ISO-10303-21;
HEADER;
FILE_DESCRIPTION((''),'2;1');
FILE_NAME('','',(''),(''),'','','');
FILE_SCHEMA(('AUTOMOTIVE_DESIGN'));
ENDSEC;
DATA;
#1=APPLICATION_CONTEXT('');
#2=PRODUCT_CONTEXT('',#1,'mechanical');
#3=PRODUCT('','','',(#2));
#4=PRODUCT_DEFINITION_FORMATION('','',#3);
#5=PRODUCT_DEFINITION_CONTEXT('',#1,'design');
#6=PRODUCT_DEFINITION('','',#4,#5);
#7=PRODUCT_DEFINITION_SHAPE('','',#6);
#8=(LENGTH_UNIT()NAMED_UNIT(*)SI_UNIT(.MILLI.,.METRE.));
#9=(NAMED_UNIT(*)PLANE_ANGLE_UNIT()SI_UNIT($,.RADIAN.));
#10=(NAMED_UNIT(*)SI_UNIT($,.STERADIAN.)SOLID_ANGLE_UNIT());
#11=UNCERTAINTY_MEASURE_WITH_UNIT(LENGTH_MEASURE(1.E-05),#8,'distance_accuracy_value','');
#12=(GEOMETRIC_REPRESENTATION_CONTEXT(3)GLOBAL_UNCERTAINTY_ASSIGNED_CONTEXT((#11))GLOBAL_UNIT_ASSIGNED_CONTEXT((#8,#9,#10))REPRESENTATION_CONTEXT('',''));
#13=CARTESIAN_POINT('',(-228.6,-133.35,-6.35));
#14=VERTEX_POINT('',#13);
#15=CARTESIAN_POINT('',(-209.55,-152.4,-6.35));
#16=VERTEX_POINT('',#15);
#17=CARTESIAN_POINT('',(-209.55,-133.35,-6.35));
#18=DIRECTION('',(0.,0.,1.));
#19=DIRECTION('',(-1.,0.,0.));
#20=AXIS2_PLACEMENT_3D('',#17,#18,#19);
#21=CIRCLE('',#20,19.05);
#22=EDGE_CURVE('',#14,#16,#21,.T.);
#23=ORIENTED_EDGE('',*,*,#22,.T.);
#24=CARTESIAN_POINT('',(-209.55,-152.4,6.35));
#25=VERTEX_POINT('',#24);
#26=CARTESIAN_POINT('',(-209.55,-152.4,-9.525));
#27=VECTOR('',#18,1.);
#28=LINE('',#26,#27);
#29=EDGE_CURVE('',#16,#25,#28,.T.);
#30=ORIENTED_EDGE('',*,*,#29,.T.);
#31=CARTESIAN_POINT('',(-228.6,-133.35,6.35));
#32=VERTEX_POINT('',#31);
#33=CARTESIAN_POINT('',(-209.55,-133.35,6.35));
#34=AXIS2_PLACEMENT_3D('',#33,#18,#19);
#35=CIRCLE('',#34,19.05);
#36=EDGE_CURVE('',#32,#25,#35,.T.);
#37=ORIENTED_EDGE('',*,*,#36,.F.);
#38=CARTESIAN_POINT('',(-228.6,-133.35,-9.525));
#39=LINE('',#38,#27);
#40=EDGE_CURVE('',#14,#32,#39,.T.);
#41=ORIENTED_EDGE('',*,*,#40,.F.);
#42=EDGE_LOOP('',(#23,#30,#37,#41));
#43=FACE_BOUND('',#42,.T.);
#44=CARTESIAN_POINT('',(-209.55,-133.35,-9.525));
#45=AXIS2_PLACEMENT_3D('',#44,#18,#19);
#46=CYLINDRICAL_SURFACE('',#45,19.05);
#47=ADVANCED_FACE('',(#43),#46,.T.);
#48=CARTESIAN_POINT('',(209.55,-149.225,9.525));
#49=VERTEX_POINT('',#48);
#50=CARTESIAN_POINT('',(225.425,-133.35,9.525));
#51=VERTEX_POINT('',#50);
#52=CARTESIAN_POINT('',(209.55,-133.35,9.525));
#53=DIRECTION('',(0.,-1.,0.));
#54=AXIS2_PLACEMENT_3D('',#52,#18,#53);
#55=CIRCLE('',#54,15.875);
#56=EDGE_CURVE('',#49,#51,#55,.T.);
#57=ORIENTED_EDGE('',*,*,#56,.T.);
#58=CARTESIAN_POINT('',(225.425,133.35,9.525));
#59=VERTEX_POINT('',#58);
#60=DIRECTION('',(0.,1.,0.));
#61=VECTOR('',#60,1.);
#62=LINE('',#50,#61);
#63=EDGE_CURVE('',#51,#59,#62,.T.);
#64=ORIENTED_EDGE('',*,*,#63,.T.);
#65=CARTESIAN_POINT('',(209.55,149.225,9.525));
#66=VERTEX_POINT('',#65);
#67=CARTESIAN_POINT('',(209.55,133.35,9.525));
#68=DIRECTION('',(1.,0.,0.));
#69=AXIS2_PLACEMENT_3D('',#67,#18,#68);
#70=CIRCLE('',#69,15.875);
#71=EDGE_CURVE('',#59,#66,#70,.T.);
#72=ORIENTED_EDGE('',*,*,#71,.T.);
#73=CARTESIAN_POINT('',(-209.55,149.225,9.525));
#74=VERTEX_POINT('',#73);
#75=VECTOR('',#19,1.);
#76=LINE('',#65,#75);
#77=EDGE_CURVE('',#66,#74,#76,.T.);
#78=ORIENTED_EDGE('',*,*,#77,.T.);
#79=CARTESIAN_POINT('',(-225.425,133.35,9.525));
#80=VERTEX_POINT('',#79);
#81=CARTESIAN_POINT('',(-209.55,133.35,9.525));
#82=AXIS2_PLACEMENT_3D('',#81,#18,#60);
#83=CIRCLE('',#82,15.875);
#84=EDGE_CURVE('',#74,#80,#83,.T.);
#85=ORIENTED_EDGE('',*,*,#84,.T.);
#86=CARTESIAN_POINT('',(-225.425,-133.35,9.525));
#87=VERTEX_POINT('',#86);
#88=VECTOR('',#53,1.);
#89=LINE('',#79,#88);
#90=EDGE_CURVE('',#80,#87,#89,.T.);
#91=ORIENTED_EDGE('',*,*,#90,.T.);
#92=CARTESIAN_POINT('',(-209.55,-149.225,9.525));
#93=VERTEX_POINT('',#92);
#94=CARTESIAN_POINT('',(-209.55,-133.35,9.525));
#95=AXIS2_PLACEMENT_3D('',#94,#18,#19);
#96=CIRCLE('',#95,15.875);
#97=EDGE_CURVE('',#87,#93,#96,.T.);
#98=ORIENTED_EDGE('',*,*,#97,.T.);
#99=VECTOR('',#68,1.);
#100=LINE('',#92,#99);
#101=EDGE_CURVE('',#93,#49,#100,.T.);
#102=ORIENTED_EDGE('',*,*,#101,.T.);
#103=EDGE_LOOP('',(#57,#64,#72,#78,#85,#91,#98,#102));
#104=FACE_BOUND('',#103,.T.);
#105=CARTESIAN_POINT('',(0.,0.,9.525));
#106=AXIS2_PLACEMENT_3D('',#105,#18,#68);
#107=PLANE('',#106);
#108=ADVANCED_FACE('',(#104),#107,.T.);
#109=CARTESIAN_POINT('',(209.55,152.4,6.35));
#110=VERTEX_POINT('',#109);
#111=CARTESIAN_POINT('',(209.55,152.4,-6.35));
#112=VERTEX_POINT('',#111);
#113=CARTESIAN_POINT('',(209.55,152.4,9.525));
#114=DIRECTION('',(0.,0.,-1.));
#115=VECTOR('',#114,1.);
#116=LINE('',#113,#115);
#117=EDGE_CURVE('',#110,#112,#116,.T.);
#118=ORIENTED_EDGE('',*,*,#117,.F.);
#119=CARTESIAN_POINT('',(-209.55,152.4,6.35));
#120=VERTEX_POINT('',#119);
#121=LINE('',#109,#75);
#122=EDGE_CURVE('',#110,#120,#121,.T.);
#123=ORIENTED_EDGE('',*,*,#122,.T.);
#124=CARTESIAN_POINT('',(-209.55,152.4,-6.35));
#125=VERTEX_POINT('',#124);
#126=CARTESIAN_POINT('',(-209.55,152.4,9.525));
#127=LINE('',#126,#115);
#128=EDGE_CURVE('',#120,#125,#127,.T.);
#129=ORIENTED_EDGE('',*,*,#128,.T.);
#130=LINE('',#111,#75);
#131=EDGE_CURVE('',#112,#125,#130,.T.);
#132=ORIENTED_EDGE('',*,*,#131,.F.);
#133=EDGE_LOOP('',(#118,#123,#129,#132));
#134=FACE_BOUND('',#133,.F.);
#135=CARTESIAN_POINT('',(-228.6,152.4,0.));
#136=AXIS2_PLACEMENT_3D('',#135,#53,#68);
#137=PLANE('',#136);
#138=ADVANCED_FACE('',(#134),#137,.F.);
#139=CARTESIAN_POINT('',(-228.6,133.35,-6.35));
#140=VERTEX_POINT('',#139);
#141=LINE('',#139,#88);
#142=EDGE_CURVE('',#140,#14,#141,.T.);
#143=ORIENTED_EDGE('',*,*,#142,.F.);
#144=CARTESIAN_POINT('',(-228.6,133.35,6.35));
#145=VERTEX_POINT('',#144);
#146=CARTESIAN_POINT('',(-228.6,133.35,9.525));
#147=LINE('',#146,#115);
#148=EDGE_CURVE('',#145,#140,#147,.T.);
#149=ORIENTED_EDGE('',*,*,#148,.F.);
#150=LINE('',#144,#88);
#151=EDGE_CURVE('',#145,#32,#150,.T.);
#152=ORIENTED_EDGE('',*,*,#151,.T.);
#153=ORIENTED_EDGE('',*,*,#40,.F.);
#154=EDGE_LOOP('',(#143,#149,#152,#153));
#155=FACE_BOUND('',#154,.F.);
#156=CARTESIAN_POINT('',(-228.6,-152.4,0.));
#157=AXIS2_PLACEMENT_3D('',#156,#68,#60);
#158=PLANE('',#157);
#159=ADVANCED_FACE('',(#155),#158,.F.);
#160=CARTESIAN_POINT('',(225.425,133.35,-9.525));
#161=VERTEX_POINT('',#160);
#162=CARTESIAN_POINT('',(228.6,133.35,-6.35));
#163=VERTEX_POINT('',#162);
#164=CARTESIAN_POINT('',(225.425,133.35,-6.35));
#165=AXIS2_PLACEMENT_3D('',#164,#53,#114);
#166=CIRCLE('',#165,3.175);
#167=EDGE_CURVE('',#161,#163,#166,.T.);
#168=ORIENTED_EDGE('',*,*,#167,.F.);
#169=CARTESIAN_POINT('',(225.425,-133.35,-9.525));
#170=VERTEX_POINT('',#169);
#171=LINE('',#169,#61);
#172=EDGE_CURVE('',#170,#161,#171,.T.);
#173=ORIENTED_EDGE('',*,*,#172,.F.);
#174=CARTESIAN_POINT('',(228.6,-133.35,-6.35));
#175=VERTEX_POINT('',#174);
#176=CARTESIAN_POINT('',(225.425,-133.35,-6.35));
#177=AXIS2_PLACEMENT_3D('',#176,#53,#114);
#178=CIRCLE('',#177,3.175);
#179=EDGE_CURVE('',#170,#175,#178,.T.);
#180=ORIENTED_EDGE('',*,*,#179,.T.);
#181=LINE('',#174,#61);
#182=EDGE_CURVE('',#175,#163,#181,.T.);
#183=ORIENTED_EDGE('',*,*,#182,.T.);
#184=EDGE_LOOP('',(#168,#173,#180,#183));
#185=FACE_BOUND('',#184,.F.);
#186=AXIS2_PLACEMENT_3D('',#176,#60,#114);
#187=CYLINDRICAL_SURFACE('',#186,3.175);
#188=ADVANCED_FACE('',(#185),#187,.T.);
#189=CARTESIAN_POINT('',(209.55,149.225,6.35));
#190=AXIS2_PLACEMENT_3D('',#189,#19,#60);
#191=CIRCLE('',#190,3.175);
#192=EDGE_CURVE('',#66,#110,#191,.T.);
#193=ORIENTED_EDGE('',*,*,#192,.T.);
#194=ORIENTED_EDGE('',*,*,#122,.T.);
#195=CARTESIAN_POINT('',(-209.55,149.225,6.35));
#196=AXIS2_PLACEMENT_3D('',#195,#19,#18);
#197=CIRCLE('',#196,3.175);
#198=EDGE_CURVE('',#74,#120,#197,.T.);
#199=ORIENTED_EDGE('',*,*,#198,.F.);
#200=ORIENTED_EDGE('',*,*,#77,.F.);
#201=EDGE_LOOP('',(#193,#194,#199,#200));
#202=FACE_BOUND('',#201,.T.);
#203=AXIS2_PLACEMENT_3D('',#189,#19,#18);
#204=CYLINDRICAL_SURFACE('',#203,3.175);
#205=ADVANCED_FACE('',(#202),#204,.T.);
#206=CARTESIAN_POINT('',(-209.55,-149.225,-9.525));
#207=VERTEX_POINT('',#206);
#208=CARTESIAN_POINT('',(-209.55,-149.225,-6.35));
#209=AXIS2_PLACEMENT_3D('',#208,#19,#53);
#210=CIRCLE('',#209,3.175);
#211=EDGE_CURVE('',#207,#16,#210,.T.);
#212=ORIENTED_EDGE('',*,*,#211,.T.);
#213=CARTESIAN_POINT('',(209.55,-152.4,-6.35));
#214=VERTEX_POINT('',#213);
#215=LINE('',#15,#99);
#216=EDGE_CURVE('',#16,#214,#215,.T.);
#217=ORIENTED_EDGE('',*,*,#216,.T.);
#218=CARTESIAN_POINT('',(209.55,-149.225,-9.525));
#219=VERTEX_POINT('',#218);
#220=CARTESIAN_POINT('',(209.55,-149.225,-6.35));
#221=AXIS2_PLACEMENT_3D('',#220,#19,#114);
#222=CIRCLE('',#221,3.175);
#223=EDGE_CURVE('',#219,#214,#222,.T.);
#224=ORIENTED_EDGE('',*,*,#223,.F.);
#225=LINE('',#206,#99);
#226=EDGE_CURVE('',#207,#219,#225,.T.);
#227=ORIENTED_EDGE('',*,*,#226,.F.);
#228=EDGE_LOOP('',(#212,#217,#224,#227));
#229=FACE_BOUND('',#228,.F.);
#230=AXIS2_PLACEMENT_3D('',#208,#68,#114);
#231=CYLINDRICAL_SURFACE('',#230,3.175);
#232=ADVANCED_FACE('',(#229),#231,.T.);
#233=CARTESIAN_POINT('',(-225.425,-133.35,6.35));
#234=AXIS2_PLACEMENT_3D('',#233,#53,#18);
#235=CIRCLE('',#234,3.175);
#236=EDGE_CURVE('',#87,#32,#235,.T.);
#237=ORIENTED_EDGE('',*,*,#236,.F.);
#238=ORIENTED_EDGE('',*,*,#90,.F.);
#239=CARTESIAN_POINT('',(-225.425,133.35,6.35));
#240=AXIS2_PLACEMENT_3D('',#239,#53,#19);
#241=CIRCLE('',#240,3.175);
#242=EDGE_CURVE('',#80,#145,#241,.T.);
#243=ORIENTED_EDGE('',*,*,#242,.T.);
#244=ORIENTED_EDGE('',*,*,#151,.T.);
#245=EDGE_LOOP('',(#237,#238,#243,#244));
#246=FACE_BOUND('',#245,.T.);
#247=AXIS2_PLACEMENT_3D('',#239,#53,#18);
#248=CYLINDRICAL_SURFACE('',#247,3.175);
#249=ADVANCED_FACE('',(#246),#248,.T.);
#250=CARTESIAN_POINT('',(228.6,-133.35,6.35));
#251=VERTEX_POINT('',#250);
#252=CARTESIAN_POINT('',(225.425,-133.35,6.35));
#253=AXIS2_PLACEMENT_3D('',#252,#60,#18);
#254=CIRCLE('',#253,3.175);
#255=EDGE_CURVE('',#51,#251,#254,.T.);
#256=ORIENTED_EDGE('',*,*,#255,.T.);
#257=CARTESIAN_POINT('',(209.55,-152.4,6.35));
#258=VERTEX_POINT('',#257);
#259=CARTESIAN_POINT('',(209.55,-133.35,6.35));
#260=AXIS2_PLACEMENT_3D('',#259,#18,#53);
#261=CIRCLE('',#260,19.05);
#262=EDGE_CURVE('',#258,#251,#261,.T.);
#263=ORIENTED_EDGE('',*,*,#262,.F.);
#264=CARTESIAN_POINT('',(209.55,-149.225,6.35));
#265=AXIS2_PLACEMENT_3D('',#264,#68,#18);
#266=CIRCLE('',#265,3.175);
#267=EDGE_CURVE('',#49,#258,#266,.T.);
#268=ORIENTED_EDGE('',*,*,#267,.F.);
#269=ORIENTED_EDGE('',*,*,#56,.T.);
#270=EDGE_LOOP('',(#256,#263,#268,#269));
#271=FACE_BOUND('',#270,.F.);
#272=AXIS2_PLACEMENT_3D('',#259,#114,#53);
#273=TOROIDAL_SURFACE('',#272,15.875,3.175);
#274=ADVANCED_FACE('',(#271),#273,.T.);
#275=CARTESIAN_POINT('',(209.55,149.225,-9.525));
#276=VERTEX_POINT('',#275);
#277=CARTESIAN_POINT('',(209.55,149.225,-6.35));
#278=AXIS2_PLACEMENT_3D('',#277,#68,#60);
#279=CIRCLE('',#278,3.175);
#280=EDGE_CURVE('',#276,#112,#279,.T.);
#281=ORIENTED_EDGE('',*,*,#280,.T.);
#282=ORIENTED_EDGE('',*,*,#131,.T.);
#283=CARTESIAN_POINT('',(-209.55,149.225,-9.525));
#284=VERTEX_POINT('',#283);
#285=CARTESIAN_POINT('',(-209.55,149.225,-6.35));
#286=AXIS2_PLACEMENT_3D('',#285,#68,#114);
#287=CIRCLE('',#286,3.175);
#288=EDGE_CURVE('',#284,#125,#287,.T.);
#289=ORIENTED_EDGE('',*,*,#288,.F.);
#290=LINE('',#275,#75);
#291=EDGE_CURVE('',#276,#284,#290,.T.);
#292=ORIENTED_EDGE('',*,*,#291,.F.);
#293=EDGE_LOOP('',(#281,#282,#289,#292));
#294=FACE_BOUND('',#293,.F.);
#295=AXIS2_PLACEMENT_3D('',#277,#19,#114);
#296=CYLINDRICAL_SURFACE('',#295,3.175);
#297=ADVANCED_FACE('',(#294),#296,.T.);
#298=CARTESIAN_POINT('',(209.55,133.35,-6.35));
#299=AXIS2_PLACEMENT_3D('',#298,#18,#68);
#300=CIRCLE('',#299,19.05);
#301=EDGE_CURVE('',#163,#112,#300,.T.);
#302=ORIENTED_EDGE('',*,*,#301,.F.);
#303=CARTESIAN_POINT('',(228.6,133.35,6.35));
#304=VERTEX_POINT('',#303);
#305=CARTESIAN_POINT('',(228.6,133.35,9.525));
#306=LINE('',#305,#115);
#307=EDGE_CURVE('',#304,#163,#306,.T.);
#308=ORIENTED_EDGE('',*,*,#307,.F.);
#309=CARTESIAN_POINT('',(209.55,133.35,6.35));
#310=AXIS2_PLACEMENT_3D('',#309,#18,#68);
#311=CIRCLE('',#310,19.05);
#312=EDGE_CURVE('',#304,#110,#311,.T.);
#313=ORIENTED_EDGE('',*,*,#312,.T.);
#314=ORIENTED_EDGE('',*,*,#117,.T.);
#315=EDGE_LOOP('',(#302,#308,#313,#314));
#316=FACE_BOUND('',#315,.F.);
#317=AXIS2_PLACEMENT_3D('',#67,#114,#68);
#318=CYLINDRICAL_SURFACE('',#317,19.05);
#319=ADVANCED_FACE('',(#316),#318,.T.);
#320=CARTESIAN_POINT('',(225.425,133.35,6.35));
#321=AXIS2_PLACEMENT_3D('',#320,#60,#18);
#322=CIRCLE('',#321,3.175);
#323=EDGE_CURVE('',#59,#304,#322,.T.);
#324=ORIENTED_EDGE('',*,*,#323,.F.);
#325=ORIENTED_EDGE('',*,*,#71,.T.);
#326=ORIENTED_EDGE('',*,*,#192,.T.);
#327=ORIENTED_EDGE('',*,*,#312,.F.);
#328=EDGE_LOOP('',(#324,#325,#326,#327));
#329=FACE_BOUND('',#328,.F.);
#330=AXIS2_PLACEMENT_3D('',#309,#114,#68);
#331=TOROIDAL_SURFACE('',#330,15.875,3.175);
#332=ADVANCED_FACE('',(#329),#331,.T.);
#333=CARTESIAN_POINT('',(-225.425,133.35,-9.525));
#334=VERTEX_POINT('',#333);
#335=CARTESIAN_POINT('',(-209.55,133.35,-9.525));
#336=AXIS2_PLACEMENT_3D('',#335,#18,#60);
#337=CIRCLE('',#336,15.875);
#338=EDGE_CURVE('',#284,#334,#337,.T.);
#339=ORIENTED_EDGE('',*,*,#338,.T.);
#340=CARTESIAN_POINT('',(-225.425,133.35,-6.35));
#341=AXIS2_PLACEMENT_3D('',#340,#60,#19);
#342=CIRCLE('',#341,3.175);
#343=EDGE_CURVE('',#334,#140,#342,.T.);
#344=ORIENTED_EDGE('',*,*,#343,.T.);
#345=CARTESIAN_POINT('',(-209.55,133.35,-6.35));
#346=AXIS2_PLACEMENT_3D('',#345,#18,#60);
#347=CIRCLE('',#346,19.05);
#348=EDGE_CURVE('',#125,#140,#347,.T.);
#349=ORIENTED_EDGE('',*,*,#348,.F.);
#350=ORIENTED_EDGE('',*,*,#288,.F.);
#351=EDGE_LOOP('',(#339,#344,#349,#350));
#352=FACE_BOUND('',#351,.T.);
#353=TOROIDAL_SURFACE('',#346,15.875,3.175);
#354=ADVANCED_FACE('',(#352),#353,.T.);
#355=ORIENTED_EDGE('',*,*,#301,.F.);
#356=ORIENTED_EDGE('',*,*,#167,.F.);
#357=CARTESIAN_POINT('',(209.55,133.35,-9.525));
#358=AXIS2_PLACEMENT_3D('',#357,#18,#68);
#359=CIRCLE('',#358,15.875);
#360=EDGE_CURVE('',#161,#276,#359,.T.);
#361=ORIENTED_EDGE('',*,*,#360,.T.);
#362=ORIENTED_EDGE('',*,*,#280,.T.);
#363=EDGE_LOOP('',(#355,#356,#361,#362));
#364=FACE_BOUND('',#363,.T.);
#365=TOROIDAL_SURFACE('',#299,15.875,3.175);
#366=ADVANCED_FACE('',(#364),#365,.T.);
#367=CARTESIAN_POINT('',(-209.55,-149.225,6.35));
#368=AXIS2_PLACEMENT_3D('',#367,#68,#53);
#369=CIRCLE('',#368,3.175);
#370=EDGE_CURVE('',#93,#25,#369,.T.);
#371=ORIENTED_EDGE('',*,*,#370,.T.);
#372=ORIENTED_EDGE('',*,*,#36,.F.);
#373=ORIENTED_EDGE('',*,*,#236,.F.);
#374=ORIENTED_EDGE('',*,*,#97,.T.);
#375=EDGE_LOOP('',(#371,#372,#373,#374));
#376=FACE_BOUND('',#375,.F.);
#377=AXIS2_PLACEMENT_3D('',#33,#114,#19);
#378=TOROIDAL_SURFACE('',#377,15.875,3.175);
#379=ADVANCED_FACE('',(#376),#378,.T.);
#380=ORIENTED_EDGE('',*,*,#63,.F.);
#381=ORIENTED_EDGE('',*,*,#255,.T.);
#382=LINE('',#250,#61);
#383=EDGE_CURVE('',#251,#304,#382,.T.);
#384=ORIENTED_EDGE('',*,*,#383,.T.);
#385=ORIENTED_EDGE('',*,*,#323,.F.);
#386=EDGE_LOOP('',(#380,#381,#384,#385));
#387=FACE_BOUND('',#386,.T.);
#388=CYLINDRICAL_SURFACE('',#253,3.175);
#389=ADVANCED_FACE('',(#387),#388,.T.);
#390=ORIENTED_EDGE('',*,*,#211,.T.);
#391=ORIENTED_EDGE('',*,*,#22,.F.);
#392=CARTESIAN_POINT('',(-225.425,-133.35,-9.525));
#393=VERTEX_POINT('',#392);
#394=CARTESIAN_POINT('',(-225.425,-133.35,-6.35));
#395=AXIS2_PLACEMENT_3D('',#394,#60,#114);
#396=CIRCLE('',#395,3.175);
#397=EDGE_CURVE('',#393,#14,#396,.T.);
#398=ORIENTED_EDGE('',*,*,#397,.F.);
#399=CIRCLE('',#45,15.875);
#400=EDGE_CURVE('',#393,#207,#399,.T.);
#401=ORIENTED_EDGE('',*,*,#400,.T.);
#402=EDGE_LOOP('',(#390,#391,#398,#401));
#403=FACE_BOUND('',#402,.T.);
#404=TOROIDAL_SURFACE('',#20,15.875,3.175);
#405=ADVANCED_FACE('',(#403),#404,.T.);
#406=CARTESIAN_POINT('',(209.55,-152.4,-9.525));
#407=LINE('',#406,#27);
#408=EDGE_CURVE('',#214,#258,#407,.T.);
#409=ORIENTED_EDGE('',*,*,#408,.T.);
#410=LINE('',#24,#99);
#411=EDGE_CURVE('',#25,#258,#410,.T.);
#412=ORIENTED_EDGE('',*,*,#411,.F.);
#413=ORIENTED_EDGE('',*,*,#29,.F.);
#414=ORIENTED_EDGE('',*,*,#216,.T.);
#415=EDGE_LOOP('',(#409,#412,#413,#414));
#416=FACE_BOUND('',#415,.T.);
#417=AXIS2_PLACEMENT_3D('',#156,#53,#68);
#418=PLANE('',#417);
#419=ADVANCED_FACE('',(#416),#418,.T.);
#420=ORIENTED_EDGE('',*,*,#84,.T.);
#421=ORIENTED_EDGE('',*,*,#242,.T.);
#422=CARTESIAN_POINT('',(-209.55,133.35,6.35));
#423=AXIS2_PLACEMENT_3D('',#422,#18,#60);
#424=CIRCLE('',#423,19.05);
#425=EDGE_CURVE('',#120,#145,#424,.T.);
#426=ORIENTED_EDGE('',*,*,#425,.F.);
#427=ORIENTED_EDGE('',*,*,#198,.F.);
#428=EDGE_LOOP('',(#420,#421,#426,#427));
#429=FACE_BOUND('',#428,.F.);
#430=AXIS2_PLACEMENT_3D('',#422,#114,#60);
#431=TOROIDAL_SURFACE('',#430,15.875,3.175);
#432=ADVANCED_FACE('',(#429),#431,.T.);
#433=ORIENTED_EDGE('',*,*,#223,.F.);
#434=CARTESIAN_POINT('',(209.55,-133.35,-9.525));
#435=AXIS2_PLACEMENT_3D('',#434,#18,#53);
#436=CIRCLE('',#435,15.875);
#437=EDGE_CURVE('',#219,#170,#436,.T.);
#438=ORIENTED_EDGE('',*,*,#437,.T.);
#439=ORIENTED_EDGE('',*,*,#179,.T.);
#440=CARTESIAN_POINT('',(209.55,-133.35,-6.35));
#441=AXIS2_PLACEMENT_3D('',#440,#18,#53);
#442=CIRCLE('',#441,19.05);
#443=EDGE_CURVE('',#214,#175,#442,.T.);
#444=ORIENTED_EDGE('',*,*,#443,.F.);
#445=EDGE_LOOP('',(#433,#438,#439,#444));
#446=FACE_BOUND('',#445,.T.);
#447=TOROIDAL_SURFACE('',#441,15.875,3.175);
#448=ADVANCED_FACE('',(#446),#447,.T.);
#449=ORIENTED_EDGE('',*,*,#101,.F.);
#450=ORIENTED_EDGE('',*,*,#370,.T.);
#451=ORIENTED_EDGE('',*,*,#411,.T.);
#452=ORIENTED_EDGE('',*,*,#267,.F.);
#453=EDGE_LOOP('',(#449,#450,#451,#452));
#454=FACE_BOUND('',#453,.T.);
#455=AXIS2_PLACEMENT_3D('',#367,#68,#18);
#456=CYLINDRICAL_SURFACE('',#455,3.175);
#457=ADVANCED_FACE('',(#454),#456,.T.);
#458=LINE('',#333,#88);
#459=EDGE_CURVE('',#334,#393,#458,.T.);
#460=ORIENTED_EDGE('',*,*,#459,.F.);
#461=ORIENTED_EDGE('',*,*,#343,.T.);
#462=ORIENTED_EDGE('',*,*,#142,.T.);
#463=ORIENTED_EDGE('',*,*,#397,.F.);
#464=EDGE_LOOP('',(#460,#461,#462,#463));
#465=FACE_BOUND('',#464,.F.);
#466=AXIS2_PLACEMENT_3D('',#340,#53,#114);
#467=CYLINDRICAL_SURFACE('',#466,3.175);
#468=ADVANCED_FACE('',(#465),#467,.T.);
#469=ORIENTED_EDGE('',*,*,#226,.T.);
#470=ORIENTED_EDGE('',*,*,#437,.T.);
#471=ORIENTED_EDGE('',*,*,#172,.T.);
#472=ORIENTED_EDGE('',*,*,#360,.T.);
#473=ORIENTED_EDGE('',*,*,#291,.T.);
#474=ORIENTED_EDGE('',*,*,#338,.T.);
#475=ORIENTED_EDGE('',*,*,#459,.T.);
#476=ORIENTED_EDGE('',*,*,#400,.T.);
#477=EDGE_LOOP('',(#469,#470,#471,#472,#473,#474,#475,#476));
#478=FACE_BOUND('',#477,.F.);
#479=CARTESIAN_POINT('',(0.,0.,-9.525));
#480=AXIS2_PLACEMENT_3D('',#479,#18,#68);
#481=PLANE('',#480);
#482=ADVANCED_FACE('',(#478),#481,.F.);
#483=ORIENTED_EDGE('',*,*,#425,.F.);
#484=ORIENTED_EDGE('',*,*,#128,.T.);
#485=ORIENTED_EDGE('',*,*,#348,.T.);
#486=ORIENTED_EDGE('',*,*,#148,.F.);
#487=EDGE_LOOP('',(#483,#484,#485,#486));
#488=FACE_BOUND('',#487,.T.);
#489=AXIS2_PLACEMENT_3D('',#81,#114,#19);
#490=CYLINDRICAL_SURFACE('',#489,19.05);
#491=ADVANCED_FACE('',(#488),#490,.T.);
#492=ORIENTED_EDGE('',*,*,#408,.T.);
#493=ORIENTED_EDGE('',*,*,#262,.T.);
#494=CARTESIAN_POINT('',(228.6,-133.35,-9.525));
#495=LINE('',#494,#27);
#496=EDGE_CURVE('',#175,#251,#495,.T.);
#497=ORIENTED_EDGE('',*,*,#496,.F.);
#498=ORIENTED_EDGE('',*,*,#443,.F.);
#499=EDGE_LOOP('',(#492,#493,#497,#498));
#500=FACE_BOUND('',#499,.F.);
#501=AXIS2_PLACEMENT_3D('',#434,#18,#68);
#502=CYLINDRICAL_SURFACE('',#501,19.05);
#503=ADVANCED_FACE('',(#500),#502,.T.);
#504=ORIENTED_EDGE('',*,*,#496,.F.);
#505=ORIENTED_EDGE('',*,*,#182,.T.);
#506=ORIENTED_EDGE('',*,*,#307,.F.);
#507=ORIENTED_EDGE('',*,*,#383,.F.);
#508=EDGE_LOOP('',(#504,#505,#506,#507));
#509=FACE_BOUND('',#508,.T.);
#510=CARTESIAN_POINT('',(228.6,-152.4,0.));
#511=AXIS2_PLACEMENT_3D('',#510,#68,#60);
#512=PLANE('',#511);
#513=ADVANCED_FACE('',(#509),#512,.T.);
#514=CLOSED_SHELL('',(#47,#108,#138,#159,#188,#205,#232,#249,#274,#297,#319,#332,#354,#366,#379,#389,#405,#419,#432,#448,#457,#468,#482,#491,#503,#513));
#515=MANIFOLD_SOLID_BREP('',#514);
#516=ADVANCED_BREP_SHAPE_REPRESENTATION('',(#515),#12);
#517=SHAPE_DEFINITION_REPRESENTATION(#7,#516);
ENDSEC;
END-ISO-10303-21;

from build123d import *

# Parameters (mm, degrees)
F0_W     = 457.2
F0_H     = 304.8
F1_DEPTH = 9.525
F2_R     = 19.05
F3_R     = 3.175


with BuildPart() as f1:
    # F0 (on Top) → F1 (new body, symmetric)
    with BuildSketch(Plane.XY):
        Rectangle(F0_W, F0_H)
    extrude(amount=F1_DEPTH, both=True)

    # F2
    f2_edges = [f1.edges().sort_by_distance(p)[0] for p in [
        (-228.6, -152.4, 0),
        (228.6, -152.4, 0),
        (228.6, 152.4, 0),
        (-228.6, 152.4, 0),
    ]]
    fillet(f2_edges, radius=F2_R)

    # F3
    f3_edges = [f1.edges().sort_by_distance(p)[0] for p in [
        (228.6, 0, 9.525),
        (223.020384, -146.820384, 9.525),
        (223.020384, 146.820384, 9.525),
        (0, -152.4, 9.525),
        (0, 152.4, 9.525),
        (-223.020384, -146.820384, 9.525),
        (-223.020384, 146.820384, 9.525),
        (-228.6, 0, 9.525),
        (228.6, 0, -9.525),
        (223.020384, -146.820384, -9.525),
        (223.020384, 146.820384, -9.525),
        (0, -152.4, -9.525),
        (0, 152.4, -9.525),
        (-223.020384, -146.820384, -9.525),
        (-223.020384, 146.820384, -9.525),
        (-228.6, 0, -9.525),
    ]]
    fillet(f3_edges, radius=F3_R)


solid = f1.part
